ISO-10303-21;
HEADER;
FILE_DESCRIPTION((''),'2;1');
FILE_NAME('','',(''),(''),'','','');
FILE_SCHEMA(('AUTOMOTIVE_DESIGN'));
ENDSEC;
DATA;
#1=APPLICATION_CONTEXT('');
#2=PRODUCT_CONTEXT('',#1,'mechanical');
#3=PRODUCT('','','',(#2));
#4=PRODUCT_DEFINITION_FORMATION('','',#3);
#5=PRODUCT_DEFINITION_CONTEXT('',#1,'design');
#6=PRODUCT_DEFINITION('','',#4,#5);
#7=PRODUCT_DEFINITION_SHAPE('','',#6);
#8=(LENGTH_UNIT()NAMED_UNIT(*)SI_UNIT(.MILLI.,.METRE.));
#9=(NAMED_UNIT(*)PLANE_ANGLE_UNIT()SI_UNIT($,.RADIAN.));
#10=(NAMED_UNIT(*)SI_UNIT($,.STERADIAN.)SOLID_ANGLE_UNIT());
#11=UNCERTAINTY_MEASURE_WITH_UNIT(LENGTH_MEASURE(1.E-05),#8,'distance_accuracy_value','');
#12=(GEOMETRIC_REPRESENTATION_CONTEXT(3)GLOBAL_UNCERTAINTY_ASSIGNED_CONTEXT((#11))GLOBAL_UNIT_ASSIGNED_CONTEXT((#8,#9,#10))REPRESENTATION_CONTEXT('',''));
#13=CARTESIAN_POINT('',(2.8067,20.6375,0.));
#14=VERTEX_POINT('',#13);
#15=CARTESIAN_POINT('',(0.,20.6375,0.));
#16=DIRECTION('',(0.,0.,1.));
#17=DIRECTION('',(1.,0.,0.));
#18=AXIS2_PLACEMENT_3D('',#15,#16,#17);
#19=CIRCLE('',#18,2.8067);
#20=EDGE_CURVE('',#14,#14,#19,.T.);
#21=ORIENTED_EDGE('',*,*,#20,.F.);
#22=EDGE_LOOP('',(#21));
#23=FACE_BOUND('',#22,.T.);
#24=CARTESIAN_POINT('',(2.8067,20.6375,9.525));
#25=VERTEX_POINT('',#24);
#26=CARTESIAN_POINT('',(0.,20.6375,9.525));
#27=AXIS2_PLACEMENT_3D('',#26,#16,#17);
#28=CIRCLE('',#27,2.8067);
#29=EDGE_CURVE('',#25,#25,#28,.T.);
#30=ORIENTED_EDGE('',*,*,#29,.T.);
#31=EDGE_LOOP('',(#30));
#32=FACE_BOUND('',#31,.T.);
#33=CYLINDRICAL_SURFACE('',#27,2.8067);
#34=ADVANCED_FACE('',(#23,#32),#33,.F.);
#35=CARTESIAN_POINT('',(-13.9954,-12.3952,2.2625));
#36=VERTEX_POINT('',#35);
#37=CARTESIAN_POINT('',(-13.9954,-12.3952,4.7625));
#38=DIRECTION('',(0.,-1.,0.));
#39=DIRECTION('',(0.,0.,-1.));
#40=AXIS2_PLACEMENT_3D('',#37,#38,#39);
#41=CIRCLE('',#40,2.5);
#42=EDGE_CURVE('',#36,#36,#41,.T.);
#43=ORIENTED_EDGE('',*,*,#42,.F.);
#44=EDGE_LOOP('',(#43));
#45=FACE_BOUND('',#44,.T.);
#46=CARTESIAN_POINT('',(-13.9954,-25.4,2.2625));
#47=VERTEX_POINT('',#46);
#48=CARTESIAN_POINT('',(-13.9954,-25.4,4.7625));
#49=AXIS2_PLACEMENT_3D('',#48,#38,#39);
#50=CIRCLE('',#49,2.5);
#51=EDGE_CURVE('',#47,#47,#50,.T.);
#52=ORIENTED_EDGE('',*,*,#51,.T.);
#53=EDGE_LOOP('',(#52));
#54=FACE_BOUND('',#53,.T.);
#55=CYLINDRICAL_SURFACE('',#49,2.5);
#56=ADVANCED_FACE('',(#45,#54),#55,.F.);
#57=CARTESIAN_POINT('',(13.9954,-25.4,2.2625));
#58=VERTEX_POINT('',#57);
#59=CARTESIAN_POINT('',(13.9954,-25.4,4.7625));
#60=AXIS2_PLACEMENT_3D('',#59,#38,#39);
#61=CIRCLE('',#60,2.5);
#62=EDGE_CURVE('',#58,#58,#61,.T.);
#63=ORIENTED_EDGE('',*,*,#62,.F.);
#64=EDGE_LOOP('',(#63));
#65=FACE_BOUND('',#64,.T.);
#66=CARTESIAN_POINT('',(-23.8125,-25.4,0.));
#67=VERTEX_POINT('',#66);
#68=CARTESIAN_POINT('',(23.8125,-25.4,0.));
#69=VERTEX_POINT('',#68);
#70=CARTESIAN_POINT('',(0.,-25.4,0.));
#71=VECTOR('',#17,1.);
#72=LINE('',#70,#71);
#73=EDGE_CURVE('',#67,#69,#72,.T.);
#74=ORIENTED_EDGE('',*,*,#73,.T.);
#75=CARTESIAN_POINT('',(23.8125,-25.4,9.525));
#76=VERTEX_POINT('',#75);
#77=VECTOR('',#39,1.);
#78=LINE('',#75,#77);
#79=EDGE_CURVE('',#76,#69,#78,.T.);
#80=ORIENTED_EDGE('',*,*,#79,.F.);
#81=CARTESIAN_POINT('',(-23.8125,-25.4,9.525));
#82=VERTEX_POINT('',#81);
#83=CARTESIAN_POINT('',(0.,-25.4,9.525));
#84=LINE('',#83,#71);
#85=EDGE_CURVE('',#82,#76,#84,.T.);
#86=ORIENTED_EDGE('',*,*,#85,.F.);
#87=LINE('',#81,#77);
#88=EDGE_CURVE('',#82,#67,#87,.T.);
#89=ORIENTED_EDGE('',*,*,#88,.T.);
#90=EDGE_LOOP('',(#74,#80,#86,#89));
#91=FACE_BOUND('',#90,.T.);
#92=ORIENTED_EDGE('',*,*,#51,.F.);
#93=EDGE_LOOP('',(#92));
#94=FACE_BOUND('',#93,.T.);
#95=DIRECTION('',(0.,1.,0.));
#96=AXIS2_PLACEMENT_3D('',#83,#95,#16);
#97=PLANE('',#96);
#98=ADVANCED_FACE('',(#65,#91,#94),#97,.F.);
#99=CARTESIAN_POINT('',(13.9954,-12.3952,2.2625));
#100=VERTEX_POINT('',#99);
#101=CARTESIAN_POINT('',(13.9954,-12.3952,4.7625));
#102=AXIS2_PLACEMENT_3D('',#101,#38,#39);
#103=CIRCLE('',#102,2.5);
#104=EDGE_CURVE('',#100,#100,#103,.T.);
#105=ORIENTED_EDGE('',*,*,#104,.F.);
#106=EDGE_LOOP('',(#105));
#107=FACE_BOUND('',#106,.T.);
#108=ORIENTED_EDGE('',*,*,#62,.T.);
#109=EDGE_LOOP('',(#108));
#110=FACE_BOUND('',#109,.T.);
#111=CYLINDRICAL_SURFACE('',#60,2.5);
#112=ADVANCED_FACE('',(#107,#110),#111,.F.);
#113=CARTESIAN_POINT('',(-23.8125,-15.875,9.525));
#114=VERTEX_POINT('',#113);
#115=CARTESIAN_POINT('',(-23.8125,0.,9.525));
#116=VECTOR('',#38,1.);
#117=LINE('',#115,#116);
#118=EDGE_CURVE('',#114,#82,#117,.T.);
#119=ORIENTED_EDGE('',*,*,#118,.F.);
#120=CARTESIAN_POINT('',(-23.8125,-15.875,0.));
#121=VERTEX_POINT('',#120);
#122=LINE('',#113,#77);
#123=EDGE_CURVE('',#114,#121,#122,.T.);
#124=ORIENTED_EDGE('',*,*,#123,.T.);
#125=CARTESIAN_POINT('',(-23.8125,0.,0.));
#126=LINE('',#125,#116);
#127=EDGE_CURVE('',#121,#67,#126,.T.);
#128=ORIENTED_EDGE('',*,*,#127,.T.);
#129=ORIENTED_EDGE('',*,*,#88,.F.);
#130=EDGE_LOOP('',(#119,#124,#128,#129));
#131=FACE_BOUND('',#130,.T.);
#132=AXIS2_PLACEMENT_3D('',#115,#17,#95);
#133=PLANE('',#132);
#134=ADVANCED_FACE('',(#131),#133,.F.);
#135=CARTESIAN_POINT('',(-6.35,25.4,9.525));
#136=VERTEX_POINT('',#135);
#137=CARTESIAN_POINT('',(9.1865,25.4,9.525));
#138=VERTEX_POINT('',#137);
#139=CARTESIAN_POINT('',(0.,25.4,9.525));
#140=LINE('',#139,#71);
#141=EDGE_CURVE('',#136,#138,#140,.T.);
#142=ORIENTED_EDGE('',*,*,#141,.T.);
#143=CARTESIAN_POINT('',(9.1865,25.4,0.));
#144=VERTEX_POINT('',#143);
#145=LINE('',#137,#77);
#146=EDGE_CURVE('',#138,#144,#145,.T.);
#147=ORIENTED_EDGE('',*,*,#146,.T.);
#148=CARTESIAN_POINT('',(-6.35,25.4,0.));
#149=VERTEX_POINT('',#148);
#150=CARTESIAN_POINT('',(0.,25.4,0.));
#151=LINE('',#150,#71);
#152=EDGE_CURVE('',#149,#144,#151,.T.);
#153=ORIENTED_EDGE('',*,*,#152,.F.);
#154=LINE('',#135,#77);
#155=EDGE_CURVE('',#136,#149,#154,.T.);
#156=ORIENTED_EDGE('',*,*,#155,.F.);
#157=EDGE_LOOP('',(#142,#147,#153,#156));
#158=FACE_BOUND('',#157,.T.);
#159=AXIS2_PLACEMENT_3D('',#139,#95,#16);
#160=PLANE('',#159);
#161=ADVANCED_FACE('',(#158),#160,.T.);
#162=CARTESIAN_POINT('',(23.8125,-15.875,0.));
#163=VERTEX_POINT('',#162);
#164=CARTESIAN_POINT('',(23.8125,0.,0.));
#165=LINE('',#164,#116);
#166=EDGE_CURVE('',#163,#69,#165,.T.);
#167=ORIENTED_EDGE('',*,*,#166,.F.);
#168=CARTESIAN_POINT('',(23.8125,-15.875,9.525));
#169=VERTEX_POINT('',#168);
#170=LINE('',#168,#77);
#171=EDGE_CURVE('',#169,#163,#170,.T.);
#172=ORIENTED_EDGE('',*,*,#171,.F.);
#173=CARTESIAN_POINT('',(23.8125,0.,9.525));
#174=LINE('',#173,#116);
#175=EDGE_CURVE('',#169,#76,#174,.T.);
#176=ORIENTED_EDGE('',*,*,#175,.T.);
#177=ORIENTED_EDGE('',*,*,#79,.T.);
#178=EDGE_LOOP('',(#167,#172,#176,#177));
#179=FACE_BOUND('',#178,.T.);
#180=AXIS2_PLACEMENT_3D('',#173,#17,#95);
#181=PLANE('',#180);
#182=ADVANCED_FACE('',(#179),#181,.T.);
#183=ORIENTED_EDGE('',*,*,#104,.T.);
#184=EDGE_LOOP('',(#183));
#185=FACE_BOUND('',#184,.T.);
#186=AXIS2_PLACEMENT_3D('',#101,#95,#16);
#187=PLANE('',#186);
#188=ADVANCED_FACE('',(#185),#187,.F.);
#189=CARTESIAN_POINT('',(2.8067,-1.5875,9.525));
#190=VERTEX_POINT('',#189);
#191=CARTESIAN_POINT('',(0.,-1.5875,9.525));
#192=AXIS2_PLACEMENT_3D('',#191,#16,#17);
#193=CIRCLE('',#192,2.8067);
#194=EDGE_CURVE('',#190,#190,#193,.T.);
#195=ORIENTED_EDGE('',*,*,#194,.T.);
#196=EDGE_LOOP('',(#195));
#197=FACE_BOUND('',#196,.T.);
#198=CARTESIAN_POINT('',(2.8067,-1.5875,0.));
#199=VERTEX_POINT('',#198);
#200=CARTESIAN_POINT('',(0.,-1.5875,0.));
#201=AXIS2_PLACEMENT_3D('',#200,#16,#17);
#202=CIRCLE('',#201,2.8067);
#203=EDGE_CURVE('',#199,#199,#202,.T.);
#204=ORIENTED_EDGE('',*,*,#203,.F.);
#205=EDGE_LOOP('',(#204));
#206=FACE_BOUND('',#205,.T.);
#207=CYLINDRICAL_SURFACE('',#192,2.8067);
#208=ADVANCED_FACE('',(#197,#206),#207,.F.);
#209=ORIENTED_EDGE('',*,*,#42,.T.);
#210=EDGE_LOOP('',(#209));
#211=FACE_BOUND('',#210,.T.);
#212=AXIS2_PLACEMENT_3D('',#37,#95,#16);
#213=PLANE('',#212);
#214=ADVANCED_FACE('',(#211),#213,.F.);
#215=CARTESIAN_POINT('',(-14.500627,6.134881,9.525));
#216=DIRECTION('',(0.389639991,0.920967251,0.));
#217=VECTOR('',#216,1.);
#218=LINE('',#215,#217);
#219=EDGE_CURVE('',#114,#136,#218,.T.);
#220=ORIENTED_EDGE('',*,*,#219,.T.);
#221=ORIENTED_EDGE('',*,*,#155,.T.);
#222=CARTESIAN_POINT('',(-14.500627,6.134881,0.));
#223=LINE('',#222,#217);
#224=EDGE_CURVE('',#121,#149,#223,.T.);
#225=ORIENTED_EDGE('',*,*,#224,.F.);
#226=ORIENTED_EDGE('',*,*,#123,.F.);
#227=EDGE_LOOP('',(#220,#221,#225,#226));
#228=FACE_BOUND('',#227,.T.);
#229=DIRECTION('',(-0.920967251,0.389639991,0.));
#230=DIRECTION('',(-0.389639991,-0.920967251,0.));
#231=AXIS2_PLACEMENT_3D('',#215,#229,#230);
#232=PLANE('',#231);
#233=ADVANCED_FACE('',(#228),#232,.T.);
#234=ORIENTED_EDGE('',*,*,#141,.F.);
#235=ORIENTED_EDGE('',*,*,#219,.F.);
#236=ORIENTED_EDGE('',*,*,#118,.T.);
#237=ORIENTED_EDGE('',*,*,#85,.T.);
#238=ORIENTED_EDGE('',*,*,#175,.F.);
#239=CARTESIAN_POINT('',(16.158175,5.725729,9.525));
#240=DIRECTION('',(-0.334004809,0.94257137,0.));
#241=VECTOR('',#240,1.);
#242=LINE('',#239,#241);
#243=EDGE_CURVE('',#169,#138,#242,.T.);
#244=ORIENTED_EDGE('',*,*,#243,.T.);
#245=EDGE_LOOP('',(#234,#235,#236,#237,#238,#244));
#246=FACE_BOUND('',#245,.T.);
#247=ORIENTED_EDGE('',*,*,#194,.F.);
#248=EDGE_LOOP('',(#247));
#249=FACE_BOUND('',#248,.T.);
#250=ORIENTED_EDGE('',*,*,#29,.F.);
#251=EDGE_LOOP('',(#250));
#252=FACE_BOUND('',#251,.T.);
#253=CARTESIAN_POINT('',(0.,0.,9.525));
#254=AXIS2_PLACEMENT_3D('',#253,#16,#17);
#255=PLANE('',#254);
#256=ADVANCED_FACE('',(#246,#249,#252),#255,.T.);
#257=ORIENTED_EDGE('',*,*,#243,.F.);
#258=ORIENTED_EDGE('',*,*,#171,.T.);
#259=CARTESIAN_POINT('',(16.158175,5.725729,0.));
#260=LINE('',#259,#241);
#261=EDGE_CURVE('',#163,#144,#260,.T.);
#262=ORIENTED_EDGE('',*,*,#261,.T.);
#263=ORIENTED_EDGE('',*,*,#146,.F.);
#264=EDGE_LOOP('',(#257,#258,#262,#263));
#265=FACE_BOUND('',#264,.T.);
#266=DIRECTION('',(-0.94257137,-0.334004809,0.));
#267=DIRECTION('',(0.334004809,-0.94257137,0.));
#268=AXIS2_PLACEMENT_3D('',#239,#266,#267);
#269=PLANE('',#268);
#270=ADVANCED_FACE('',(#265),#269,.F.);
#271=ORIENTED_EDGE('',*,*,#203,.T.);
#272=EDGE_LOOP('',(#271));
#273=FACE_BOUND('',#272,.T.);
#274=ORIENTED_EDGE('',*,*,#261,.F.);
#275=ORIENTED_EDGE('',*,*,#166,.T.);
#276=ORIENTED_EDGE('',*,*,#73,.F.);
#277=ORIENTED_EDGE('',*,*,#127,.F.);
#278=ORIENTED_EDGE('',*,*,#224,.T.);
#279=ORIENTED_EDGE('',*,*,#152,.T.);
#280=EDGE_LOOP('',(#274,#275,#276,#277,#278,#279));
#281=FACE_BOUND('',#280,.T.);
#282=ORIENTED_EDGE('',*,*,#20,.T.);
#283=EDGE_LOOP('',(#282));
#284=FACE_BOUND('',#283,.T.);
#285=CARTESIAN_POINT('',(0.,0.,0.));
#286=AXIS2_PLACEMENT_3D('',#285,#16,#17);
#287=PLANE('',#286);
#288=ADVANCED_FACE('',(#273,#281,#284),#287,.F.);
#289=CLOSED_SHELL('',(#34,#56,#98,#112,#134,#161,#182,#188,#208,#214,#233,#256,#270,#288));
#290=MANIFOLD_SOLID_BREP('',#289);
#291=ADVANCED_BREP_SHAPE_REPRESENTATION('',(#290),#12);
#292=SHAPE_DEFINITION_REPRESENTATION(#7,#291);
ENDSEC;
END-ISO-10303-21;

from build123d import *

# Parameters (mm, degrees)
BOSS_EXTRUDE1_DEPTH       = 9.525
F_10_CLEARANCE_HOLE1_D    = 5.6134
M6X1_0_TAPPED_HOLE1_D     = 5
M6X1_0_TAPPED_HOLE1_DEPTH = 13.0048


with BuildPart() as part:
    # Sketch1 → Boss-Extrude1 (new body)
    with BuildSketch(Plane.XY):
        Polygon((23.8125, -25.4), (23.8125, -15.875), (9.186500373, 25.4), (-6.35, 25.4), (-23.8125, -15.875), (-23.8125, -25.4), align=None)
    extrude(amount=BOSS_EXTRUDE1_DEPTH)

    # #10 Clearance Hole1 (through all)
    with Locations(Plane.XY.offset(9.525)):
        with Locations((0, 20.6375), (0, -1.5875)):
            Hole(F_10_CLEARANCE_HOLE1_D / 2)

    # M6x1.0 Tapped Hole1
    with Locations(Plane(origin=(0, -25.4, 0), x_dir=(-1, 0, 0), z_dir=(0, -1, 0))):
        with Locations((13.9954, -4.7625), (-13.9954, -4.7625)):
            Hole(M6X1_0_TAPPED_HOLE1_D / 2, depth=M6X1_0_TAPPED_HOLE1_DEPTH)


solid = part.part
